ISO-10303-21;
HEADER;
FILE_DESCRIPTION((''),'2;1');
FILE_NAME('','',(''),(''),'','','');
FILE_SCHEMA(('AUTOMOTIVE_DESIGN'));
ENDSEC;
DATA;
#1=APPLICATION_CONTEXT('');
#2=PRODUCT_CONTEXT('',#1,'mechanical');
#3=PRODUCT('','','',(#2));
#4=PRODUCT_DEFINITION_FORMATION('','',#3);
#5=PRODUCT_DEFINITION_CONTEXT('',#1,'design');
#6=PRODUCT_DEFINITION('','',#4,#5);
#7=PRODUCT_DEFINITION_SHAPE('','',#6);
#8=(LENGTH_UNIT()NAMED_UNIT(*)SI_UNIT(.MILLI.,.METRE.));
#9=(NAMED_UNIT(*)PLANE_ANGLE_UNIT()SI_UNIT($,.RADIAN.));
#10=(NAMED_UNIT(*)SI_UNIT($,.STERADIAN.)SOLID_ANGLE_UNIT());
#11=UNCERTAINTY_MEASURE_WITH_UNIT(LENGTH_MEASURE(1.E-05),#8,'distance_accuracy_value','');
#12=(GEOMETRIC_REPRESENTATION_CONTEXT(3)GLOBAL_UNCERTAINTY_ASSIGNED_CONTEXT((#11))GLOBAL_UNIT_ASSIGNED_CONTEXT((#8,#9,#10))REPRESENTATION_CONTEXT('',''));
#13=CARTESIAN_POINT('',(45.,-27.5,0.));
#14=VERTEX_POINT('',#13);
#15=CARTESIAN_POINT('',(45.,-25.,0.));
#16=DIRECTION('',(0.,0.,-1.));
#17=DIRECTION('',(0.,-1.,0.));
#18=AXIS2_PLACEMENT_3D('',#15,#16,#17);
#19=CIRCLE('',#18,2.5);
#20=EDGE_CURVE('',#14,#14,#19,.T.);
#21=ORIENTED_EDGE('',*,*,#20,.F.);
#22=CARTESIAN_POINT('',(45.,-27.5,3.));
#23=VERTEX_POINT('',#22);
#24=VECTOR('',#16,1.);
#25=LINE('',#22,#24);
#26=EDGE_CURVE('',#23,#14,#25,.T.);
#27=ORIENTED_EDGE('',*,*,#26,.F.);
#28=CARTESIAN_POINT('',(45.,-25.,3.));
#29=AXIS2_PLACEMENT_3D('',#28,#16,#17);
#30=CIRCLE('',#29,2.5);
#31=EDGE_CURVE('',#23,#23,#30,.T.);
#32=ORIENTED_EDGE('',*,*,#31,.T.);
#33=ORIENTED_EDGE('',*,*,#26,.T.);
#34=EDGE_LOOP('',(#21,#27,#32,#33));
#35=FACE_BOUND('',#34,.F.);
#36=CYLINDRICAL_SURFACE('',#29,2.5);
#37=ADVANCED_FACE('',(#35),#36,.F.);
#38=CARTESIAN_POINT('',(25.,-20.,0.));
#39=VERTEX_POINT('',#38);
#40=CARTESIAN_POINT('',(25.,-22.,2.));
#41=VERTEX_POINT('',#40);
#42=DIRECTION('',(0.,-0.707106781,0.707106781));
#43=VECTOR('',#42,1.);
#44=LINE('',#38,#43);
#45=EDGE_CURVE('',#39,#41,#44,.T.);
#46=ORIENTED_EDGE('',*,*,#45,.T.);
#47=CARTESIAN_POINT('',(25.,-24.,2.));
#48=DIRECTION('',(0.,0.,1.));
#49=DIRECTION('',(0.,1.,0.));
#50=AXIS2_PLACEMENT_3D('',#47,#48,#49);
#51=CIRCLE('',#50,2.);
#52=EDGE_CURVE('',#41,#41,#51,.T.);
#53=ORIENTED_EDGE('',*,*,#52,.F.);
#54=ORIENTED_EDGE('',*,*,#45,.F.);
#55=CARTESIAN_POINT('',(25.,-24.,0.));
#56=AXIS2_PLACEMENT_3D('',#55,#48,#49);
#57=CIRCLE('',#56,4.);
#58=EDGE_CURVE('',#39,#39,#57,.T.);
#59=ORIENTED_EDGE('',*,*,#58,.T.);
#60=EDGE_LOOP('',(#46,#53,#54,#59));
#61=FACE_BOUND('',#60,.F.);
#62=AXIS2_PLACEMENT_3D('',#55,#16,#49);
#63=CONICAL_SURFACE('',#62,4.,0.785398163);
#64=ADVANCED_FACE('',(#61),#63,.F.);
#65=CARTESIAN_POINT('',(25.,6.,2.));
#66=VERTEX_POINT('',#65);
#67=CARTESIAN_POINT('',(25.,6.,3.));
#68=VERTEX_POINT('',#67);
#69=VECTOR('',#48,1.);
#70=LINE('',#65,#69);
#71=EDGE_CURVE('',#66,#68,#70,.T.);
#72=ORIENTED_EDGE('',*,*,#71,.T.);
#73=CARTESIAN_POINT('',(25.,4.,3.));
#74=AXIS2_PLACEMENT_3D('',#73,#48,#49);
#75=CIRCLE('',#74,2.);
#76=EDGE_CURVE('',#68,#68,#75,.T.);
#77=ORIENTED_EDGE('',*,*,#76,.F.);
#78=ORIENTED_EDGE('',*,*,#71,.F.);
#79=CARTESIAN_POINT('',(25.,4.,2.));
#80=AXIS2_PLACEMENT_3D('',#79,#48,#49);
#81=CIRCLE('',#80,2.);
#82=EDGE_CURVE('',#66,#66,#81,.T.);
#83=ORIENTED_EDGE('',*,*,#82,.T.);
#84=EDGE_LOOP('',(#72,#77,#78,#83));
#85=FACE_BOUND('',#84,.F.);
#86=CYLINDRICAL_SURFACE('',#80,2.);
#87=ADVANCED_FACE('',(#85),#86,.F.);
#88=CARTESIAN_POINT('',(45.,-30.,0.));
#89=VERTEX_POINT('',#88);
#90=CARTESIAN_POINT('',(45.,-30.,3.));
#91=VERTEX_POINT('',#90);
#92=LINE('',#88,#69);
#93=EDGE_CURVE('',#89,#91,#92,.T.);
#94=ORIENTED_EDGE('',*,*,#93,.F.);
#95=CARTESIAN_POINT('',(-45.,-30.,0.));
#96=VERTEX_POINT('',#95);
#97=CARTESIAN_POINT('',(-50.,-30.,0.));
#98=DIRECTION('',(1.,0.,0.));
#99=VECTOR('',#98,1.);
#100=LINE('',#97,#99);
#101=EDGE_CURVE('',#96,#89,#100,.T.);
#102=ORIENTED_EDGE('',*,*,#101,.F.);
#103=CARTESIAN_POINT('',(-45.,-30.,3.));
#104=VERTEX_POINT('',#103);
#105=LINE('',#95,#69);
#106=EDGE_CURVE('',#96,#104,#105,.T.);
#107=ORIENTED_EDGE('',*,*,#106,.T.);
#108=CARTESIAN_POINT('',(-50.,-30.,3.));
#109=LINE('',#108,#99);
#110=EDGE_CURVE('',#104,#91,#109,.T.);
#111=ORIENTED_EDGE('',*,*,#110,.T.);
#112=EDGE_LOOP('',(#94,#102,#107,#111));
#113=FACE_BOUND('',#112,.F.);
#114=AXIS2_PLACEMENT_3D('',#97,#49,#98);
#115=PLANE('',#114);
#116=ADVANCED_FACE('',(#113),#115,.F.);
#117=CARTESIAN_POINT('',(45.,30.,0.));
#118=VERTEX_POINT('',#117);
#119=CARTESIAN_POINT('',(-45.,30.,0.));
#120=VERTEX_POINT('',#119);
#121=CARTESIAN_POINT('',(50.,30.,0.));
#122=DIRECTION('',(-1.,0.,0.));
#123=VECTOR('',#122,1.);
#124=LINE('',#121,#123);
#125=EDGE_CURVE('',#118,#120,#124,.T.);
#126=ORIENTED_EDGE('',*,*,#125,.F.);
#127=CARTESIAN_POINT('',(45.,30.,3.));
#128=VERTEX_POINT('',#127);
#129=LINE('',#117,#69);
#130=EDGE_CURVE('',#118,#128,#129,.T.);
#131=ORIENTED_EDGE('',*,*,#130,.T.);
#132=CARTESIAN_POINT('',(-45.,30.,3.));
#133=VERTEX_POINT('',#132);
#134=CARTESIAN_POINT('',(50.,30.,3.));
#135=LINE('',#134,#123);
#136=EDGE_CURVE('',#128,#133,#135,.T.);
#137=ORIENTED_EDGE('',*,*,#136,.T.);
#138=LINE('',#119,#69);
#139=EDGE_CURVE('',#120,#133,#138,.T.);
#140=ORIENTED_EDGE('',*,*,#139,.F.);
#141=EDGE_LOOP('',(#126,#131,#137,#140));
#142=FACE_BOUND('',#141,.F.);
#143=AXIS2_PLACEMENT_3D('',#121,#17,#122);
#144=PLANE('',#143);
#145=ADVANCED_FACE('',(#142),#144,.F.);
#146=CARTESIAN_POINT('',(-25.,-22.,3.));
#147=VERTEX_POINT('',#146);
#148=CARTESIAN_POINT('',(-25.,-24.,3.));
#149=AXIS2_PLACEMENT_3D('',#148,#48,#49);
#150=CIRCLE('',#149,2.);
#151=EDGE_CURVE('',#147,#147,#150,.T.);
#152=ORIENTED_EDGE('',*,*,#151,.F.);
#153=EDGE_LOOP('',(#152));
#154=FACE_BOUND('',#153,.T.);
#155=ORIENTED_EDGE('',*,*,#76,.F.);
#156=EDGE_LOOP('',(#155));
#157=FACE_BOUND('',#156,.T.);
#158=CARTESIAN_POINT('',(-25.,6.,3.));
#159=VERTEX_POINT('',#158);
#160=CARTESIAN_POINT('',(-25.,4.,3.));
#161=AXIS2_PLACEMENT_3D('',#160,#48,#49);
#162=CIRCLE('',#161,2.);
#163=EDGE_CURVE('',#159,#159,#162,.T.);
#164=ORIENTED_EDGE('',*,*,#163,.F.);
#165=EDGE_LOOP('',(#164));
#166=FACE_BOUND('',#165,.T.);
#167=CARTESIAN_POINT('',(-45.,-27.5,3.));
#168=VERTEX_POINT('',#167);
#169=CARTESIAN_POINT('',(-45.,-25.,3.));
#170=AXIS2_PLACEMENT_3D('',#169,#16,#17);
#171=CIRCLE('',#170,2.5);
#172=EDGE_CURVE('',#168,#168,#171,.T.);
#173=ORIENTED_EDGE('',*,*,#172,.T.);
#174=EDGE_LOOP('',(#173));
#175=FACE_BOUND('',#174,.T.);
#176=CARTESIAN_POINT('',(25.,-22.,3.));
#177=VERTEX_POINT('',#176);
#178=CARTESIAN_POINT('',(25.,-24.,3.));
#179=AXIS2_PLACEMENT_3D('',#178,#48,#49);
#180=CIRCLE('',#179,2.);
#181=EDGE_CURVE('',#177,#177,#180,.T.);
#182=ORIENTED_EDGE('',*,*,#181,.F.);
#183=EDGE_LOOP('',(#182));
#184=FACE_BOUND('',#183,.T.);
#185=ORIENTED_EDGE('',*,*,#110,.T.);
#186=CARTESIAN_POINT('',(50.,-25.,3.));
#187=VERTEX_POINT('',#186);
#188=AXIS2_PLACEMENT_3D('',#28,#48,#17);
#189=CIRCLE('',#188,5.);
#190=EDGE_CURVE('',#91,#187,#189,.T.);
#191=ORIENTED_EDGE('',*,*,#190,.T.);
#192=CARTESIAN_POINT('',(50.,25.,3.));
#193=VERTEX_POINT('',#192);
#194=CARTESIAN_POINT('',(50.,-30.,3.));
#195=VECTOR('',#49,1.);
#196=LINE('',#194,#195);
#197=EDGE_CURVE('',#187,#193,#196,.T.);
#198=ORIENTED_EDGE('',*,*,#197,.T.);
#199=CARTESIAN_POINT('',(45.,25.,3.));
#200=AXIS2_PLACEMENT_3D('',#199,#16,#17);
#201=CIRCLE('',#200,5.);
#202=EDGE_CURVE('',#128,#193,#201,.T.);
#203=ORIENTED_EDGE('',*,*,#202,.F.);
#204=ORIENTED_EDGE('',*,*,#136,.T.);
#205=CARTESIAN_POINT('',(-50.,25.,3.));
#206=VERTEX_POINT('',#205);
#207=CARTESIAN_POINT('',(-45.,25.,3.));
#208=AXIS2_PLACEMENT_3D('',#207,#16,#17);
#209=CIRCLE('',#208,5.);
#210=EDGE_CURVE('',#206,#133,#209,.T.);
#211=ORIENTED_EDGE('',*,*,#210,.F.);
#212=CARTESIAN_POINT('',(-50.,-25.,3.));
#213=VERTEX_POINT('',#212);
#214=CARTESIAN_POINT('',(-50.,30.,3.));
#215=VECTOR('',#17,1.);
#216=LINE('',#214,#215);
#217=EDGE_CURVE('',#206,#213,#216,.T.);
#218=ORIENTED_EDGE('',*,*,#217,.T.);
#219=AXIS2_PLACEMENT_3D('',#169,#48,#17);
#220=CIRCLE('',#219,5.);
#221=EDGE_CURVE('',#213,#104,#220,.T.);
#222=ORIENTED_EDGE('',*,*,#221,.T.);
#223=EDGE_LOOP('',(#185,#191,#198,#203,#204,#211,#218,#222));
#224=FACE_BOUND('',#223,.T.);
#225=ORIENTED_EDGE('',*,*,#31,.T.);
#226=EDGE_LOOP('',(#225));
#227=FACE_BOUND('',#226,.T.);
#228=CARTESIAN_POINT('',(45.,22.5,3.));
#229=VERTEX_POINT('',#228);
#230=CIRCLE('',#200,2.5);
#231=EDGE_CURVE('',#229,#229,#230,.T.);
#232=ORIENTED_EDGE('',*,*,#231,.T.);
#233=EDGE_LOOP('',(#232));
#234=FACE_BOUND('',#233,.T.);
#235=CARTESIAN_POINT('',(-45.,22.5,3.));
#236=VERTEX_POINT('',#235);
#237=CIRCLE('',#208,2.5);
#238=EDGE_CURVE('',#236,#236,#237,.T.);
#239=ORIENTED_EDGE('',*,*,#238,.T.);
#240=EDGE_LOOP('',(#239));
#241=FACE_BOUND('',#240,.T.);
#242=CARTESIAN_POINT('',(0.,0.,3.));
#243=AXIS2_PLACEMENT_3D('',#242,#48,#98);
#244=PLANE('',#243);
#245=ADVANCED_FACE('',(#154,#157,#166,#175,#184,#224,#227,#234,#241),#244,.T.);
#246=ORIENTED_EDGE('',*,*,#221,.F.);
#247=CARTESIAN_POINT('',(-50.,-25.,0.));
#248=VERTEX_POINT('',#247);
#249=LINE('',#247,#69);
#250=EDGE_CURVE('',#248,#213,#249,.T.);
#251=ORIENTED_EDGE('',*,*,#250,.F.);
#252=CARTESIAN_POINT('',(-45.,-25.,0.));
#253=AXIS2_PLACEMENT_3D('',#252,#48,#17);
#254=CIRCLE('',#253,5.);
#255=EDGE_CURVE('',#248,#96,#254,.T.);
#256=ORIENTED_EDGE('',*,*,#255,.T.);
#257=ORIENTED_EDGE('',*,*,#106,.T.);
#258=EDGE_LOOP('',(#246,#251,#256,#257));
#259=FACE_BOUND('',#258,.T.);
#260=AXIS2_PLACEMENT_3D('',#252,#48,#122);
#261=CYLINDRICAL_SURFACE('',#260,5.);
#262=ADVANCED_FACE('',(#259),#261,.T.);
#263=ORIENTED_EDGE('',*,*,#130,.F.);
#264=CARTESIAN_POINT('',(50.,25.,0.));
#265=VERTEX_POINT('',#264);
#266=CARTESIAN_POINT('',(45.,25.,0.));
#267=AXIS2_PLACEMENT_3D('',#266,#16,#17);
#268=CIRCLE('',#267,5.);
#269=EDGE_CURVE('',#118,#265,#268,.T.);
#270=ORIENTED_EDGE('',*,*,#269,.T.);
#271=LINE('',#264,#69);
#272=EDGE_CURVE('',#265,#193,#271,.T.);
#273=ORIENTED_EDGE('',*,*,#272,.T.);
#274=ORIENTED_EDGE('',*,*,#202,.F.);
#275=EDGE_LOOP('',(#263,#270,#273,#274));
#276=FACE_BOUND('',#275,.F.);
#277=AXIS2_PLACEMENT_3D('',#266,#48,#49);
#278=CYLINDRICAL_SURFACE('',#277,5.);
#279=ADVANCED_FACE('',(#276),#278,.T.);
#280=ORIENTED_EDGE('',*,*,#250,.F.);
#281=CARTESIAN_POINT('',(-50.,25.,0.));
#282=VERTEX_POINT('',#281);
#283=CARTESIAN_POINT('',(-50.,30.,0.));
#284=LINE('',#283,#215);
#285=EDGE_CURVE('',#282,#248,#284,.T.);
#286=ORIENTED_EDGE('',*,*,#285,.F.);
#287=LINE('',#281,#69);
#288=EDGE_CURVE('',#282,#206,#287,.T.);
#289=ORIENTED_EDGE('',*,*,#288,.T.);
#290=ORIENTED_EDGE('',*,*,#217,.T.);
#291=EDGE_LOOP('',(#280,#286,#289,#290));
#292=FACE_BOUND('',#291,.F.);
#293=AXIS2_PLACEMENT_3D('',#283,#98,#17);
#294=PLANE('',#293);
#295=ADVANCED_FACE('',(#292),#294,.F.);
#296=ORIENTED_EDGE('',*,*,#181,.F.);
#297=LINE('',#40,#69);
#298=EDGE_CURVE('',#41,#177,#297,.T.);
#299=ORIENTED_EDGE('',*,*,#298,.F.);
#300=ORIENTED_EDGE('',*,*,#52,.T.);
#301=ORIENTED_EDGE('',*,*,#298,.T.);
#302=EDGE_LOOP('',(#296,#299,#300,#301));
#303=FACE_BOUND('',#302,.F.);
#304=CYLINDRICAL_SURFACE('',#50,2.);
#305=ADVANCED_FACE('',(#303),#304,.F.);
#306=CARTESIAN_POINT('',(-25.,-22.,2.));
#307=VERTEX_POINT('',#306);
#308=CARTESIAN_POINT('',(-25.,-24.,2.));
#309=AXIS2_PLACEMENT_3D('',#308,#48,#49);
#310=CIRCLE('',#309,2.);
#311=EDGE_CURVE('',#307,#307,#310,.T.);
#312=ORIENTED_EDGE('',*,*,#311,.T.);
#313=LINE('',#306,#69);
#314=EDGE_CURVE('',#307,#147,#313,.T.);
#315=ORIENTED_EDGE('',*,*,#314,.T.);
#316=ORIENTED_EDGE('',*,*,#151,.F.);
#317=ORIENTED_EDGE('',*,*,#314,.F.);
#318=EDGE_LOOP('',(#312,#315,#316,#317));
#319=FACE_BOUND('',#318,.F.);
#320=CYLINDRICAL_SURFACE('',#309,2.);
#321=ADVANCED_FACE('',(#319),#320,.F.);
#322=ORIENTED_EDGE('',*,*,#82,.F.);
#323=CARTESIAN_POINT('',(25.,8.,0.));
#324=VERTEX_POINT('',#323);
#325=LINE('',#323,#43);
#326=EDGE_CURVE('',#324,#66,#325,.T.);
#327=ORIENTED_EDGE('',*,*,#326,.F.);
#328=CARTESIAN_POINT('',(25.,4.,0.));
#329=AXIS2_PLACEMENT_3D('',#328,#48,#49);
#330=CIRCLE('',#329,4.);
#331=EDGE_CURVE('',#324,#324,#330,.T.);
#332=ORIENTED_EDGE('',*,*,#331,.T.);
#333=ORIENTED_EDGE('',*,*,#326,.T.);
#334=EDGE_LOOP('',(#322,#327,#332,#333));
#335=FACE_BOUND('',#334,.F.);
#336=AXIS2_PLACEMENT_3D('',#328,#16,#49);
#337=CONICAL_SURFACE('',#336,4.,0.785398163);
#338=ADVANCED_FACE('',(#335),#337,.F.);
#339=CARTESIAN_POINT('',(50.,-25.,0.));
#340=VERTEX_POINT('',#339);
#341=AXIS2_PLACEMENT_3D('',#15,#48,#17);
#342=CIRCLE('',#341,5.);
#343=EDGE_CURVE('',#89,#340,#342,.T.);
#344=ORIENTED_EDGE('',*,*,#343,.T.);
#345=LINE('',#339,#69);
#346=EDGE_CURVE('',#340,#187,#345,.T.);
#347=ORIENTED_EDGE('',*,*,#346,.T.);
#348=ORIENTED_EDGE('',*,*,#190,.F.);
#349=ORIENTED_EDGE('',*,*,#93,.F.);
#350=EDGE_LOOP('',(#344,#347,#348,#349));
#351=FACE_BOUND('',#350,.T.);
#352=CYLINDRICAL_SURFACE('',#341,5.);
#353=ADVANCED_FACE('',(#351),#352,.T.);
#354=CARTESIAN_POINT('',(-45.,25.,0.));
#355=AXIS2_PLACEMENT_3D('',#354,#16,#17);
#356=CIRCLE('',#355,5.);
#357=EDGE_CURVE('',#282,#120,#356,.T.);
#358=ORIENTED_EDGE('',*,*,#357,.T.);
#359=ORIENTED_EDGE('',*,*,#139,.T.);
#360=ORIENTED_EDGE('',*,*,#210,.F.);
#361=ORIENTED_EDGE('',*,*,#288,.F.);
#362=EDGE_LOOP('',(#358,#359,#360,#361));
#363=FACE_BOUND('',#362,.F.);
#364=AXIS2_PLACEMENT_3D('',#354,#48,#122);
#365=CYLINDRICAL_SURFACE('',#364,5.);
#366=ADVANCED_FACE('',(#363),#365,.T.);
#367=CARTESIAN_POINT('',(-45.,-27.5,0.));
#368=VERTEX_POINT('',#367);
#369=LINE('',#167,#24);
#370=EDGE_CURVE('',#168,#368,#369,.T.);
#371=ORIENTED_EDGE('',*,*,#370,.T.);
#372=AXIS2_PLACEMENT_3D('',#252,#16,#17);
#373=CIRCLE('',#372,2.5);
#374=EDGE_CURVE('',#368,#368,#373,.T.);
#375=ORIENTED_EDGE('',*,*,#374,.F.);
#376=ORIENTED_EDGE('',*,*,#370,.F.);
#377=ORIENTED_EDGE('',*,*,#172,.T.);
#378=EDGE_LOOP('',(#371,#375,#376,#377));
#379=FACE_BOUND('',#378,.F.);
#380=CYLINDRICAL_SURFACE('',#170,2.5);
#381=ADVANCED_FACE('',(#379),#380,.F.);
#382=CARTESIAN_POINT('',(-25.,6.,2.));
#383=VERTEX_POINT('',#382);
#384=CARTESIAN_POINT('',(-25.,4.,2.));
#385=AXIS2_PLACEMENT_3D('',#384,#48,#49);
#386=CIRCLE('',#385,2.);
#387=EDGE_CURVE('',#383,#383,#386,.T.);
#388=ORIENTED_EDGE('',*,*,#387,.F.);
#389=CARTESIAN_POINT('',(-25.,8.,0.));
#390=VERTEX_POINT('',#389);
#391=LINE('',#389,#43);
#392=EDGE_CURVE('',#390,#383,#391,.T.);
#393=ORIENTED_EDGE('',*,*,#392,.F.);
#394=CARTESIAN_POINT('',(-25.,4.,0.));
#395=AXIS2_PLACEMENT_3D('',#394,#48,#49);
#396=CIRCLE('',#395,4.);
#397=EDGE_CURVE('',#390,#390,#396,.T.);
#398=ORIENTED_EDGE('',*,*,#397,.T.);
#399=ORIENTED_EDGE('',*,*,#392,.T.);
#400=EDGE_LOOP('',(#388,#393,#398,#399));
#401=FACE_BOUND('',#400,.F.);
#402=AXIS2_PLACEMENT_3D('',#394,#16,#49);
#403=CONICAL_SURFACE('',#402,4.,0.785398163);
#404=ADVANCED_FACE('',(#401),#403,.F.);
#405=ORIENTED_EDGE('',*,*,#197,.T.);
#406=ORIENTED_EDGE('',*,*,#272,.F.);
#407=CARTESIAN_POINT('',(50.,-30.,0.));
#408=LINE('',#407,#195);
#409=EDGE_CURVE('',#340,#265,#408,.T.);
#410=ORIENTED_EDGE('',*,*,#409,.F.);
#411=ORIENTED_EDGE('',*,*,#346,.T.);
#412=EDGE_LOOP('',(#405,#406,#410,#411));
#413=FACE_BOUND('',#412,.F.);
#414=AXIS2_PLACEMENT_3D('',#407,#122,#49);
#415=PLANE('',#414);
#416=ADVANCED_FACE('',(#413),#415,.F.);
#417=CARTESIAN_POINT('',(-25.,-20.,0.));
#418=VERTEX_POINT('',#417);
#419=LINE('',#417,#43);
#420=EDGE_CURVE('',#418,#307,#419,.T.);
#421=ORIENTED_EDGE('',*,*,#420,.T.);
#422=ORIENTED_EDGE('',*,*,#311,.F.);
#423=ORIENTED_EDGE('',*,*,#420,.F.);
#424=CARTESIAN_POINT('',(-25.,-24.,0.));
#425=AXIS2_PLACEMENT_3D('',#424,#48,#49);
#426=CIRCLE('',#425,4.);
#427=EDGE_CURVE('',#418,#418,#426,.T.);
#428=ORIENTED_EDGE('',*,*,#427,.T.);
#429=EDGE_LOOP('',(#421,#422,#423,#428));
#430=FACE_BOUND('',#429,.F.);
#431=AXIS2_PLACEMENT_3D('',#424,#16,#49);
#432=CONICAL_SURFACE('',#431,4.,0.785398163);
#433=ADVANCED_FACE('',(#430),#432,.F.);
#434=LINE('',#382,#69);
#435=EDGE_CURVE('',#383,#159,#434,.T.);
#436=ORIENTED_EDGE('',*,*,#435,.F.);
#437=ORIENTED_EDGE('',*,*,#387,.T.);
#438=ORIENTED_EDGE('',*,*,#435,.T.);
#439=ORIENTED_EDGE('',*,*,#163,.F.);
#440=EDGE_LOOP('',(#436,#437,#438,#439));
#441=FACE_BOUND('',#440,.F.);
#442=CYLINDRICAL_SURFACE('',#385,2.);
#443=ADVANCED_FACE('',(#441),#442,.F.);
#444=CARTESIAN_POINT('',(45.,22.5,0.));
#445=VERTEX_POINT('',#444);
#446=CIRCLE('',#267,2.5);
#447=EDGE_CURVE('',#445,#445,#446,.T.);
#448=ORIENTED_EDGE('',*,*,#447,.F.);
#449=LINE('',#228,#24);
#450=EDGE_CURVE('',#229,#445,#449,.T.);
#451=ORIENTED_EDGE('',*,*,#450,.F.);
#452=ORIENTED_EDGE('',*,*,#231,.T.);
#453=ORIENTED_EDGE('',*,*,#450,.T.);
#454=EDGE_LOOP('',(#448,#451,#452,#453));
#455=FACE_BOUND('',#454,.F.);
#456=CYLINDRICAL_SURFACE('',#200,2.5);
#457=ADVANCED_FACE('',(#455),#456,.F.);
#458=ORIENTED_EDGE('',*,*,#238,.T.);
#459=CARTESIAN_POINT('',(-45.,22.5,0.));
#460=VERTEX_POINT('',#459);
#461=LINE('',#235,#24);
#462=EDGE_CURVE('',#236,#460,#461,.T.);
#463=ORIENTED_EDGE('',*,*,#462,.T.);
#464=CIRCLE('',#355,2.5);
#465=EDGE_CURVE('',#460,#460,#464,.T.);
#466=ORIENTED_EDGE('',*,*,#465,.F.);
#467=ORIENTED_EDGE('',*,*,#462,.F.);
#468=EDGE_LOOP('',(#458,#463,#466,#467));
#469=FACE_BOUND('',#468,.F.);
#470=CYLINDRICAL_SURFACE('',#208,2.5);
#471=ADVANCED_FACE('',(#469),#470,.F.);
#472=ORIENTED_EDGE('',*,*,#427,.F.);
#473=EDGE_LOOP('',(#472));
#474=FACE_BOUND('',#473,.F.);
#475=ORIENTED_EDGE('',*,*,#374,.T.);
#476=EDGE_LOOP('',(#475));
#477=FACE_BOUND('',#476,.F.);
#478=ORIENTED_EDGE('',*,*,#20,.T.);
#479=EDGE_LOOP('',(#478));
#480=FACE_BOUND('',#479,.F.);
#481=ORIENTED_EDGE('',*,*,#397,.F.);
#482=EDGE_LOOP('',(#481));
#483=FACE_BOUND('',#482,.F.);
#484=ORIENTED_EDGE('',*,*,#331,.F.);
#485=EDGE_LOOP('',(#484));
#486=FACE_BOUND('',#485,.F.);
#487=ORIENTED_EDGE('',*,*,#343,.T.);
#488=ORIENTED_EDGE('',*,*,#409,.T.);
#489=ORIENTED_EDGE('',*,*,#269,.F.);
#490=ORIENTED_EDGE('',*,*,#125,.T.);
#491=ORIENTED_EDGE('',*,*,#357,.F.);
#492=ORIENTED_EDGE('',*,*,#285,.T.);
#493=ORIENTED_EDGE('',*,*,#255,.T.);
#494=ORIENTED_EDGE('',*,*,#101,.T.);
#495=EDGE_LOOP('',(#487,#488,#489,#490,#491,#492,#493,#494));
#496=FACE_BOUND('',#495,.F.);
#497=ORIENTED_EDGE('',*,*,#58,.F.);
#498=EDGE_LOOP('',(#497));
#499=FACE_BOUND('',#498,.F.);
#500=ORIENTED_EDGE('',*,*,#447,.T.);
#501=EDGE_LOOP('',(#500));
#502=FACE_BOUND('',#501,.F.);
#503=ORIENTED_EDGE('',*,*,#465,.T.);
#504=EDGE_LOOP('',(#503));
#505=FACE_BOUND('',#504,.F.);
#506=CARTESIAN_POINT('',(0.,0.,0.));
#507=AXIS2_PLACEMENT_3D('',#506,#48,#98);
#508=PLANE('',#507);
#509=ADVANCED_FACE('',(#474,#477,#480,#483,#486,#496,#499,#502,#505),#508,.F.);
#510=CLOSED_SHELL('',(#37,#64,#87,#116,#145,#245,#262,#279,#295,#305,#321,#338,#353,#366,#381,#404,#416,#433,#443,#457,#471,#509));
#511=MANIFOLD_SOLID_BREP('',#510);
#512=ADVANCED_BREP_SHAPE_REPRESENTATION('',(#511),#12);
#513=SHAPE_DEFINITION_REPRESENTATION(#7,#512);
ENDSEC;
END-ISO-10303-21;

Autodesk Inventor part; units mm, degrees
ref_plane "YZ Plane" through (0, 0, 0) normal (1, 0, 0) x (0, 1, 0)
ref_plane "XZ Plane" through (0, 0, 0) normal (0, 1, 0) x (-1, 0, 0)
ref_plane "XY Plane" through (0, 0, 0) normal (0, 0, 1) x (1, 0, 0)
sketch "Sketch1" plane through (0, 0, 0) normal (0, 0, 1) x (1, 0, 0)
  line L0 (-50, -30) -> (50, -30)
  line L1 (50, -30) -> (50, 30)
  line L2 (50, 30) -> (-50, 30)
  line L3 (-50, 30) -> (-50, -30)
  line L4 (-50, -30) -> (50, 30) construction
  line L5 (50, -30) -> (-50, 30) construction
  point P0 (0, 0)
  dimension "d0" = 60
  dimension "d1" = 100
extrude "Plate1" add sketch "Sketch1" along normal blind 3
sketch "Sketch2" plane through (0, 0, 3) normal (0, 0, 1) x (1, 0, 0)
  line L0 (-50, -30) -> (-50, 30) projected
  line L1 (-50, 30) -> (50, 30) projected
  line L2 (50, -30) -> (-50, -30) projected
  line L3 (50, 30) -> (50, -30) projected
  point P0 (0, 0)
  point P1 (-45, 25)
  point P2 (45, 25)
  point P3 (45, -25)
  point P4 (-45, -25)
  dimension "d3" = 5
  dimension "d4" = 5
  dimension "d5" = 5
  dimension "d6" = 5
  dimension "d7" = 5
hole "Hole1" at (-45, 25, 3) at (45, 25, 3) at (45, -25, 3) at (-45, -25, 3) direction (0, 0, -1) diameter 5 depth 3
sketch "Sketch3" plane through (0, 0, 0) normal (0, 0, 1) x (1, 0, 0)
  line L0 (50, -30) -> (-50, -30) projected
  point P0 (0, 0)
  point P1 (-25, 4)
  point P2 (25, 4)
  point P3 (25, -24)
  point P4 (-25, -24)
  dimension "d15" = 28
  dimension "d16" = 6
  dimension "d17" = 50
  dimension "d18" = 25
hole "Hole2" at (-25, 4, 0) at (25, 4, 0) at (25, -24, 0) at (-25, -24, 0) direction (0, 0, 1) diameter 4 depth 3 countersink diameter 8 countersink angle 90
fillet "Fillet1" radius 5 4 edges at (-50, 30, 1.5) (-50, -30, 1.5) (50, -30, 1.5) (50, 30, 1.5)
equation "\"d5\" = d4"
equation "\"d6\" = d3"
equation "\"d7\" = d6"
equation "\"d13\" = Stärke"
equation "\"d2\" = Stärke"
equation "\"d18\" = 0.5 * d17"
equation "\"Biegeradius\" = Stärke"
equation "\"BreiteBiegungsfreistellung\" = Stärke"
equation "\"TiefeBiegungsfreistellung\" = 0.5 * Stärke"
equation "\"GrößeEckenfreistellung\" = 4 * Stärke"
equation "\"MinimalRest\" = 2 * Stärke"
equation "\"Übergangsradius\" = Biegeradius"
equation "\"JacobiRadiusGröße\" = Biegeradius"
equation "\"Abstandsgröße\" = Stärke"
equation "\"Stärke\" = 3"
properties part number "02"
